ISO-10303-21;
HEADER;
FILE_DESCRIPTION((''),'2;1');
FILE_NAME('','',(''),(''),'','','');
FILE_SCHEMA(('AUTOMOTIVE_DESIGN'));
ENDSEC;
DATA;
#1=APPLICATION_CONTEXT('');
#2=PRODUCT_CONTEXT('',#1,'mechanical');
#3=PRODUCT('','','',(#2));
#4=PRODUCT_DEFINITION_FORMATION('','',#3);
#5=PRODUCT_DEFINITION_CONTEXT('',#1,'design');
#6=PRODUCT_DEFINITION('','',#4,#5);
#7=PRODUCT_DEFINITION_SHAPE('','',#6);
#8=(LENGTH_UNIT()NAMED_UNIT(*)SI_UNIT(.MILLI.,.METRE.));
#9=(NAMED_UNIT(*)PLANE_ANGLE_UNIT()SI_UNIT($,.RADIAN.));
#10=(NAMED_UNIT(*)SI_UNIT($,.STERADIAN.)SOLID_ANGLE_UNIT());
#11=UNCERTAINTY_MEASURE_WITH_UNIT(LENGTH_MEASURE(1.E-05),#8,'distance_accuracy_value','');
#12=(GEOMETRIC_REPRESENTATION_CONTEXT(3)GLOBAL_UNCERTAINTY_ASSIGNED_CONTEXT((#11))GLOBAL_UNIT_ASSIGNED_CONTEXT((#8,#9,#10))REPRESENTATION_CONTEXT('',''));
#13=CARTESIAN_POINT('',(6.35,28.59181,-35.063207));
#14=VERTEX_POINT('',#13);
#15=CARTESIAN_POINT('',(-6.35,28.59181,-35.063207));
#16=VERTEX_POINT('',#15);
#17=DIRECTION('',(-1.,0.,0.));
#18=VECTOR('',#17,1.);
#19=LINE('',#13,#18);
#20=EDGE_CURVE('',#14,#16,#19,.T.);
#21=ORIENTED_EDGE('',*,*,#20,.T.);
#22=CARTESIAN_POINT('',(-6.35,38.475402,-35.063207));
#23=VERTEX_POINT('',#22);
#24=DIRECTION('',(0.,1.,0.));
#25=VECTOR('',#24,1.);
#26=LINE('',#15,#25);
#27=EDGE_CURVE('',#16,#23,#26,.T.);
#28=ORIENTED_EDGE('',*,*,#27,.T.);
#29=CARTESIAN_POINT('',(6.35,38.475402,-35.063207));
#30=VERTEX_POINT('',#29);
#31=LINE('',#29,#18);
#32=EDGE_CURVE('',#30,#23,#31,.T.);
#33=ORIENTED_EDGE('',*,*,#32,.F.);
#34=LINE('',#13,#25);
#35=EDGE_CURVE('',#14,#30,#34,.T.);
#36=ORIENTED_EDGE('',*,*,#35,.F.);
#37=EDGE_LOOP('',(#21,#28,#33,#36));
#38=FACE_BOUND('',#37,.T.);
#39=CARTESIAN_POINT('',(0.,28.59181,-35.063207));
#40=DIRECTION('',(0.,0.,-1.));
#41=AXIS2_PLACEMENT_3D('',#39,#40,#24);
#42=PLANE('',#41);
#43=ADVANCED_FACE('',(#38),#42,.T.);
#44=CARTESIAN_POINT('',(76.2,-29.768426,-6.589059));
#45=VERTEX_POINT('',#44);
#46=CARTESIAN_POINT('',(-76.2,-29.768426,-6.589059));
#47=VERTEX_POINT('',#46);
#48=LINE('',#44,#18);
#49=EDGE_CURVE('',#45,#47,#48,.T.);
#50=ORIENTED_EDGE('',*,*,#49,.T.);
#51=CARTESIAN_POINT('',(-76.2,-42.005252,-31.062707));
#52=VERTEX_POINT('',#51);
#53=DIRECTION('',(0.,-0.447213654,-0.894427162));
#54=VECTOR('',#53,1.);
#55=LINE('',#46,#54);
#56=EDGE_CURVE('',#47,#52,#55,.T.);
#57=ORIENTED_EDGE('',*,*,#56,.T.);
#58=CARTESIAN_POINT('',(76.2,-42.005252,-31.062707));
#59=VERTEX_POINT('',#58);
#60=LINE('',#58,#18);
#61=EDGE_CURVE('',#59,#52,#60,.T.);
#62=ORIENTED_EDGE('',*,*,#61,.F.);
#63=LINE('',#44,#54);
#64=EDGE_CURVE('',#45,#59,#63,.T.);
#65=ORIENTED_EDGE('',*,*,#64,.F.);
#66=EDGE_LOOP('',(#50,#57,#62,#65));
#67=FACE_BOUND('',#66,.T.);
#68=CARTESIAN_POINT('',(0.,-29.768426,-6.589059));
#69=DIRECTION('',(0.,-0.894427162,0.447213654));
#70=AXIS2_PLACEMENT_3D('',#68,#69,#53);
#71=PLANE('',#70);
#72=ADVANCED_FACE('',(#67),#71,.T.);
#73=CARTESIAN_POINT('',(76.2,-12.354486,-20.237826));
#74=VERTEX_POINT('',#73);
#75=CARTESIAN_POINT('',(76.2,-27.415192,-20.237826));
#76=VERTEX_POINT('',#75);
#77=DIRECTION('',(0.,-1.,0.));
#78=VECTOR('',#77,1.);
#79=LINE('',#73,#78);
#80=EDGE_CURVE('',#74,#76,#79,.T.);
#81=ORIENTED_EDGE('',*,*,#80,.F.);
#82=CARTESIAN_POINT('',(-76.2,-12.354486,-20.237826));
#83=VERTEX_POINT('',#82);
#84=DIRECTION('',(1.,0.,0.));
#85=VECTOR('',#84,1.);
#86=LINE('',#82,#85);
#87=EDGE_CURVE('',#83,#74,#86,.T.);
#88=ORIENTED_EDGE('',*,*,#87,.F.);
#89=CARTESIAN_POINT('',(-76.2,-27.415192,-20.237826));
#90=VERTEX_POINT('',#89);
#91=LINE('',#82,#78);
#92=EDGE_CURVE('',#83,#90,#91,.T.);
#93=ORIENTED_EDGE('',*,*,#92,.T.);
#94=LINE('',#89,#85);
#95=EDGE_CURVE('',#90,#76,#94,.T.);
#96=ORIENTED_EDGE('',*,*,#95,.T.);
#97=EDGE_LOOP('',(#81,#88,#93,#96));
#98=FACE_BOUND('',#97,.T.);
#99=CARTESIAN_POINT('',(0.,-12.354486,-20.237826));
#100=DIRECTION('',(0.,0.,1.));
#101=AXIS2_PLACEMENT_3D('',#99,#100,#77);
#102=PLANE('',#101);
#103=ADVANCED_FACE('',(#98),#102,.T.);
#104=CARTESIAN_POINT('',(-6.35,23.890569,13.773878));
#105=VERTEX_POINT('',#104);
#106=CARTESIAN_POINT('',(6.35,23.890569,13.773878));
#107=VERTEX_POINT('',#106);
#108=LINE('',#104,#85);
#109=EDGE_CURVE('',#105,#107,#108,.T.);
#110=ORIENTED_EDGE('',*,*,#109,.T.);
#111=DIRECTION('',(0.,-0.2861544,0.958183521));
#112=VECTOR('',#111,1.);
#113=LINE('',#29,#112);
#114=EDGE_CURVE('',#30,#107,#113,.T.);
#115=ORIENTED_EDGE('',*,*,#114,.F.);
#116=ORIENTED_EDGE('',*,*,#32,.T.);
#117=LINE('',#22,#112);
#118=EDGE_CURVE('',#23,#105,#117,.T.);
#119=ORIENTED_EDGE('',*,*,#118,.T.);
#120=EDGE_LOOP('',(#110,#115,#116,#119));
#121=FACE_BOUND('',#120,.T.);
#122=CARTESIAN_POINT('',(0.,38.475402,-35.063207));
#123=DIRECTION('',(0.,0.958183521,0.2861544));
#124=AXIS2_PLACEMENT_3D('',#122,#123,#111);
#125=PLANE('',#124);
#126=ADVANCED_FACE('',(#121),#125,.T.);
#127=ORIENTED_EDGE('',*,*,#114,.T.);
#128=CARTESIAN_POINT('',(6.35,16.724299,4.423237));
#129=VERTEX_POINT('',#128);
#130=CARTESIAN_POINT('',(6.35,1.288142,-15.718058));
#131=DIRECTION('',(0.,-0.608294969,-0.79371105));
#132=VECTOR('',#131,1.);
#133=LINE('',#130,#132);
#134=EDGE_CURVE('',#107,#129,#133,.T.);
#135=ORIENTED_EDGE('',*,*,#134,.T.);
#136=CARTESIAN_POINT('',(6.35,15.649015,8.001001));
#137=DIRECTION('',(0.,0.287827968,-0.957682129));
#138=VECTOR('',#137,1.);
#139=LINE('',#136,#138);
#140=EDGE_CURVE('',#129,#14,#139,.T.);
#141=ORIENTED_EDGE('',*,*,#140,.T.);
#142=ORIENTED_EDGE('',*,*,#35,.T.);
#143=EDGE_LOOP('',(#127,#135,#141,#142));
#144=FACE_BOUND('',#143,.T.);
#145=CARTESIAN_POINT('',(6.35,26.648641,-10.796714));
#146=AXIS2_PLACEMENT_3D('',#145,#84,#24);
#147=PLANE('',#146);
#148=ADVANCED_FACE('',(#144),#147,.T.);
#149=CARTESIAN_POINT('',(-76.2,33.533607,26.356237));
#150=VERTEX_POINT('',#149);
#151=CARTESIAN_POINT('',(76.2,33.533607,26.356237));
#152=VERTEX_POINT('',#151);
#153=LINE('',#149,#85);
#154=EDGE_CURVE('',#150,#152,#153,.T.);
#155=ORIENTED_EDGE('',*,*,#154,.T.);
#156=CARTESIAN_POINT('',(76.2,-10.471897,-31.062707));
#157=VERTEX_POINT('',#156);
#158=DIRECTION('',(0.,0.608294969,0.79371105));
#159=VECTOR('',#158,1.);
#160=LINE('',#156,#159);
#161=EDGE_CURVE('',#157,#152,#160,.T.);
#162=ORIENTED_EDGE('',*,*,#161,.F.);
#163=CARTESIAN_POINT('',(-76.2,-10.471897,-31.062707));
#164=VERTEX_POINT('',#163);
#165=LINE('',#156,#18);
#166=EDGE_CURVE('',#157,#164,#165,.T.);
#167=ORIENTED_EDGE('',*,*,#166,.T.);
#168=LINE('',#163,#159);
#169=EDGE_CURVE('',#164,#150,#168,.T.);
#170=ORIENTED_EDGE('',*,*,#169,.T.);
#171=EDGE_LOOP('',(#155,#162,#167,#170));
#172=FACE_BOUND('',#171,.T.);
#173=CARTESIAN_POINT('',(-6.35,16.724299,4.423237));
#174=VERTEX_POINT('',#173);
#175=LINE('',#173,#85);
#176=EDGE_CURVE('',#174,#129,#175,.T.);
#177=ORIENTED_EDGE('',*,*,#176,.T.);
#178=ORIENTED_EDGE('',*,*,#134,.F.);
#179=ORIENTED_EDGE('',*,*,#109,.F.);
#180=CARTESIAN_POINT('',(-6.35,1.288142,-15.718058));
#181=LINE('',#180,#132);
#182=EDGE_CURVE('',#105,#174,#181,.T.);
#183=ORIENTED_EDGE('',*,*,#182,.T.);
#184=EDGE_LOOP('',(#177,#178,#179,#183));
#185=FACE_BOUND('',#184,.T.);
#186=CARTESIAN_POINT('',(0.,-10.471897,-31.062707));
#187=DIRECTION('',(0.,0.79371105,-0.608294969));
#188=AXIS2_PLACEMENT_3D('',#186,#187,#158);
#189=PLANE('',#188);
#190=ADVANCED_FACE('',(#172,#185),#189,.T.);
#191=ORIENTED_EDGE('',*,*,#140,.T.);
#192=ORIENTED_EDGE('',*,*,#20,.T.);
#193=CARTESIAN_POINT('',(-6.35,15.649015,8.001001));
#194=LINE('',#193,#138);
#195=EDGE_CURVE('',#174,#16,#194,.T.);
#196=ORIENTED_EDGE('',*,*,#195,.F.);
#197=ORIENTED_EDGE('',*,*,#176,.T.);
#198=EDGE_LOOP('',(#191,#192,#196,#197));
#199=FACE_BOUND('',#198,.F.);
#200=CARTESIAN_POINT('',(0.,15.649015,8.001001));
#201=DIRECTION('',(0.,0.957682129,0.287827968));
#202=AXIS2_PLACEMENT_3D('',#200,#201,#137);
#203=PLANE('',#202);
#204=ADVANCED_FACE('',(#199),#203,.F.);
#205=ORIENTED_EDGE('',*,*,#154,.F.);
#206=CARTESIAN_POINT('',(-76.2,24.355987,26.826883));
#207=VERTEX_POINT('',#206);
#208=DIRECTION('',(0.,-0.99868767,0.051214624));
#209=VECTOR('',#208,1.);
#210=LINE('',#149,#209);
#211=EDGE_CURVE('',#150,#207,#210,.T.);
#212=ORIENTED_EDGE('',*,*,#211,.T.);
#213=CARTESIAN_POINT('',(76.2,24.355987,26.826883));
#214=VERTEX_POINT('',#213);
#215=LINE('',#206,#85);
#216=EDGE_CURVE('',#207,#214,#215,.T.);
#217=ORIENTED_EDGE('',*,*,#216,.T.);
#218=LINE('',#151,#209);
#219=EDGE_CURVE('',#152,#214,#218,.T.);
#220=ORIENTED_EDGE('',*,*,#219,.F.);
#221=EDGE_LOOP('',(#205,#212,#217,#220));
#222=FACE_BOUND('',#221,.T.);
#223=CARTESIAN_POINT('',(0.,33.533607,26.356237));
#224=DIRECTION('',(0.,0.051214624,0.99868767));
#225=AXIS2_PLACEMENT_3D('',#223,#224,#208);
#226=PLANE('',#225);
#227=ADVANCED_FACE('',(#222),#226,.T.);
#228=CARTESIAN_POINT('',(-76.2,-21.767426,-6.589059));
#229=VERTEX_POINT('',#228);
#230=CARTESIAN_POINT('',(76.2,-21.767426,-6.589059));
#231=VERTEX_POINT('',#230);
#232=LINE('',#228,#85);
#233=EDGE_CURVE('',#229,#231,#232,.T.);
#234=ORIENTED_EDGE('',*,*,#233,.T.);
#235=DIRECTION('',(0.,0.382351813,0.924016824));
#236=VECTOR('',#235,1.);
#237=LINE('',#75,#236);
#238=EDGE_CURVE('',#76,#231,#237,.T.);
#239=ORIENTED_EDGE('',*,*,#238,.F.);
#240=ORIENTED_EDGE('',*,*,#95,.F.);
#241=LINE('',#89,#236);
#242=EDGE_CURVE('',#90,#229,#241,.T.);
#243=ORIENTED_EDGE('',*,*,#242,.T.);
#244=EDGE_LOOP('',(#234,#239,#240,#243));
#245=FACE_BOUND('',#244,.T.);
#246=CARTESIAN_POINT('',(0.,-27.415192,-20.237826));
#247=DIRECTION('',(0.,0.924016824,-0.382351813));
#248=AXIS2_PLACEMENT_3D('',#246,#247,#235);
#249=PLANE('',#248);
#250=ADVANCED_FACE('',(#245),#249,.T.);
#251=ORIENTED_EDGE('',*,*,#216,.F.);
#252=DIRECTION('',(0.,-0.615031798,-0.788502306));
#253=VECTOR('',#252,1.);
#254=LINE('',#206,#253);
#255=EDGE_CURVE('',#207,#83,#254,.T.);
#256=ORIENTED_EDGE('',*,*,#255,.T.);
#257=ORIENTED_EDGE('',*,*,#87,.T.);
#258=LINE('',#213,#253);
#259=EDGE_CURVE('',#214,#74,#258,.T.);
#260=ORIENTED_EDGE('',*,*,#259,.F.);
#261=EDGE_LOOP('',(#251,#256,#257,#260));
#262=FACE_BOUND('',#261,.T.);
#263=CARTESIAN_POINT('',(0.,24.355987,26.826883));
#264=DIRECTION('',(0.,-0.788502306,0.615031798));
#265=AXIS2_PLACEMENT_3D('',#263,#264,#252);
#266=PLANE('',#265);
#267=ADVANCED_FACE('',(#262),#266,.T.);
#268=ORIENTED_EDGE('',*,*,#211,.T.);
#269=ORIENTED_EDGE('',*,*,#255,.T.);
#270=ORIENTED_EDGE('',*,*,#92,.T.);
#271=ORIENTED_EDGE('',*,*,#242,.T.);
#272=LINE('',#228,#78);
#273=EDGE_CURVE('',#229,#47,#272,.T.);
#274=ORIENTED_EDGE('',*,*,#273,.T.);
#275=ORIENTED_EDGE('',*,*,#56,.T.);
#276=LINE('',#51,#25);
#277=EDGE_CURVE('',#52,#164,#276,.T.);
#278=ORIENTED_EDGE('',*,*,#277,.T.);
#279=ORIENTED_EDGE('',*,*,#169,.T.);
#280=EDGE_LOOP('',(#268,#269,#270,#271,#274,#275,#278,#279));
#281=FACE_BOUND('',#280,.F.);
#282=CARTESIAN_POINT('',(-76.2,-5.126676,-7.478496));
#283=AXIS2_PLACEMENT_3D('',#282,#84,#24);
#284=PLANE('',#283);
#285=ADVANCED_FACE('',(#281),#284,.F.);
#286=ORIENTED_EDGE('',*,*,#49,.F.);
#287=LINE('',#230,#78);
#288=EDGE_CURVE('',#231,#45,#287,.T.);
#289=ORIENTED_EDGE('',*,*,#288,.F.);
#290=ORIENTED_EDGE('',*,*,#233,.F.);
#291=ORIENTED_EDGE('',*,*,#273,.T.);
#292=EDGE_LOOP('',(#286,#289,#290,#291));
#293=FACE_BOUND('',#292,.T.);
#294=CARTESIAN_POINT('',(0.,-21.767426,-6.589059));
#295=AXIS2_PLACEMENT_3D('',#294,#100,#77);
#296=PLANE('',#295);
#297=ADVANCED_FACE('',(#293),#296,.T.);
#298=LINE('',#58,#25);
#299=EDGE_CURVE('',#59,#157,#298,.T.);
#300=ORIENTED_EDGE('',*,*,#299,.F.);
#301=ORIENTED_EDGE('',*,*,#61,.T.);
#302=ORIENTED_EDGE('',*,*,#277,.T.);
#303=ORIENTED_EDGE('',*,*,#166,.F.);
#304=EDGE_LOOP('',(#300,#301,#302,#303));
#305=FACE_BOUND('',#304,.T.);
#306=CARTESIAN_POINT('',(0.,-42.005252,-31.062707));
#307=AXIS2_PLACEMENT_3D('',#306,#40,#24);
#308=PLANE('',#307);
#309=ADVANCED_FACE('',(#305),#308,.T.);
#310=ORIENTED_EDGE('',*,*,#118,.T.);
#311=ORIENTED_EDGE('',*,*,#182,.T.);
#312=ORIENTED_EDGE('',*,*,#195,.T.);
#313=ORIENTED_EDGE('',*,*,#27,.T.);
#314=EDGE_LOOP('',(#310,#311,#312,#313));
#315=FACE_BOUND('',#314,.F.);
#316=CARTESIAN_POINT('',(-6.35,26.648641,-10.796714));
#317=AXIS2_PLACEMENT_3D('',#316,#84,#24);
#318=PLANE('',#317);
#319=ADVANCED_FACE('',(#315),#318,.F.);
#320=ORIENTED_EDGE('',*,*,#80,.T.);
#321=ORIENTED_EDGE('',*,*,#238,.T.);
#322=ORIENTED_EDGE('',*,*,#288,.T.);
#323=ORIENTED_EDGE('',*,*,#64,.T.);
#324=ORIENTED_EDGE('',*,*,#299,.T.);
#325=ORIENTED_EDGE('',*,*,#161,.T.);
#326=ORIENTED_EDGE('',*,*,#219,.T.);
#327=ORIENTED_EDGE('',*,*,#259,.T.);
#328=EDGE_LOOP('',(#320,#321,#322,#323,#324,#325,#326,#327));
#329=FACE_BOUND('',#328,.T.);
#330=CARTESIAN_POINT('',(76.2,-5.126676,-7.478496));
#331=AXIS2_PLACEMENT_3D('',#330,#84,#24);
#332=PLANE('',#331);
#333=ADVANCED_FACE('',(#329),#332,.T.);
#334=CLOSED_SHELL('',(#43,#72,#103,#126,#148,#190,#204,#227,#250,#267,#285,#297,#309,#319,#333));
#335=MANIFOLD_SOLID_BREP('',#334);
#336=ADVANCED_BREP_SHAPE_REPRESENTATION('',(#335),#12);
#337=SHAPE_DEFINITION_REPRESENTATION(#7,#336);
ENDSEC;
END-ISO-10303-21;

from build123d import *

# Parameters (mm, degrees)
F1_DEPTH      = 76.2
F1_DEPTH_BACK = 76.2
F3_DEPTH      = 6.35
F3_DEPTH_BACK = 6.35


with BuildPart() as f1:
    # F0 (on Right) → F1 (new body, two sides)
    with BuildSketch(Plane.YZ) as f1_sk:
        Polygon((-10.471897, -31.062707), (33.533607, 26.356237), (24.355987, 26.826883), (-12.354486, -20.237826), (-27.415192, -20.237826), (-21.767426, -6.589059), (-29.768426, -6.589059), (-42.005252, -31.062707), align=None)
    extrude(amount=F1_DEPTH)
    extrude(f1_sk.sketch, amount=-F1_DEPTH_BACK)

    # F2 (on Right) → F3 (join, two sides)
    with BuildSketch(Plane.YZ) as f3_sk:
        Polygon((38.475402, -35.063207), (22.944046, 16.943295), (15.649015, 8.001001), (28.59181, -35.063207), align=None)
    extrude(amount=F3_DEPTH)
    extrude(f3_sk.sketch, amount=-F3_DEPTH_BACK)


solid = f1.part
